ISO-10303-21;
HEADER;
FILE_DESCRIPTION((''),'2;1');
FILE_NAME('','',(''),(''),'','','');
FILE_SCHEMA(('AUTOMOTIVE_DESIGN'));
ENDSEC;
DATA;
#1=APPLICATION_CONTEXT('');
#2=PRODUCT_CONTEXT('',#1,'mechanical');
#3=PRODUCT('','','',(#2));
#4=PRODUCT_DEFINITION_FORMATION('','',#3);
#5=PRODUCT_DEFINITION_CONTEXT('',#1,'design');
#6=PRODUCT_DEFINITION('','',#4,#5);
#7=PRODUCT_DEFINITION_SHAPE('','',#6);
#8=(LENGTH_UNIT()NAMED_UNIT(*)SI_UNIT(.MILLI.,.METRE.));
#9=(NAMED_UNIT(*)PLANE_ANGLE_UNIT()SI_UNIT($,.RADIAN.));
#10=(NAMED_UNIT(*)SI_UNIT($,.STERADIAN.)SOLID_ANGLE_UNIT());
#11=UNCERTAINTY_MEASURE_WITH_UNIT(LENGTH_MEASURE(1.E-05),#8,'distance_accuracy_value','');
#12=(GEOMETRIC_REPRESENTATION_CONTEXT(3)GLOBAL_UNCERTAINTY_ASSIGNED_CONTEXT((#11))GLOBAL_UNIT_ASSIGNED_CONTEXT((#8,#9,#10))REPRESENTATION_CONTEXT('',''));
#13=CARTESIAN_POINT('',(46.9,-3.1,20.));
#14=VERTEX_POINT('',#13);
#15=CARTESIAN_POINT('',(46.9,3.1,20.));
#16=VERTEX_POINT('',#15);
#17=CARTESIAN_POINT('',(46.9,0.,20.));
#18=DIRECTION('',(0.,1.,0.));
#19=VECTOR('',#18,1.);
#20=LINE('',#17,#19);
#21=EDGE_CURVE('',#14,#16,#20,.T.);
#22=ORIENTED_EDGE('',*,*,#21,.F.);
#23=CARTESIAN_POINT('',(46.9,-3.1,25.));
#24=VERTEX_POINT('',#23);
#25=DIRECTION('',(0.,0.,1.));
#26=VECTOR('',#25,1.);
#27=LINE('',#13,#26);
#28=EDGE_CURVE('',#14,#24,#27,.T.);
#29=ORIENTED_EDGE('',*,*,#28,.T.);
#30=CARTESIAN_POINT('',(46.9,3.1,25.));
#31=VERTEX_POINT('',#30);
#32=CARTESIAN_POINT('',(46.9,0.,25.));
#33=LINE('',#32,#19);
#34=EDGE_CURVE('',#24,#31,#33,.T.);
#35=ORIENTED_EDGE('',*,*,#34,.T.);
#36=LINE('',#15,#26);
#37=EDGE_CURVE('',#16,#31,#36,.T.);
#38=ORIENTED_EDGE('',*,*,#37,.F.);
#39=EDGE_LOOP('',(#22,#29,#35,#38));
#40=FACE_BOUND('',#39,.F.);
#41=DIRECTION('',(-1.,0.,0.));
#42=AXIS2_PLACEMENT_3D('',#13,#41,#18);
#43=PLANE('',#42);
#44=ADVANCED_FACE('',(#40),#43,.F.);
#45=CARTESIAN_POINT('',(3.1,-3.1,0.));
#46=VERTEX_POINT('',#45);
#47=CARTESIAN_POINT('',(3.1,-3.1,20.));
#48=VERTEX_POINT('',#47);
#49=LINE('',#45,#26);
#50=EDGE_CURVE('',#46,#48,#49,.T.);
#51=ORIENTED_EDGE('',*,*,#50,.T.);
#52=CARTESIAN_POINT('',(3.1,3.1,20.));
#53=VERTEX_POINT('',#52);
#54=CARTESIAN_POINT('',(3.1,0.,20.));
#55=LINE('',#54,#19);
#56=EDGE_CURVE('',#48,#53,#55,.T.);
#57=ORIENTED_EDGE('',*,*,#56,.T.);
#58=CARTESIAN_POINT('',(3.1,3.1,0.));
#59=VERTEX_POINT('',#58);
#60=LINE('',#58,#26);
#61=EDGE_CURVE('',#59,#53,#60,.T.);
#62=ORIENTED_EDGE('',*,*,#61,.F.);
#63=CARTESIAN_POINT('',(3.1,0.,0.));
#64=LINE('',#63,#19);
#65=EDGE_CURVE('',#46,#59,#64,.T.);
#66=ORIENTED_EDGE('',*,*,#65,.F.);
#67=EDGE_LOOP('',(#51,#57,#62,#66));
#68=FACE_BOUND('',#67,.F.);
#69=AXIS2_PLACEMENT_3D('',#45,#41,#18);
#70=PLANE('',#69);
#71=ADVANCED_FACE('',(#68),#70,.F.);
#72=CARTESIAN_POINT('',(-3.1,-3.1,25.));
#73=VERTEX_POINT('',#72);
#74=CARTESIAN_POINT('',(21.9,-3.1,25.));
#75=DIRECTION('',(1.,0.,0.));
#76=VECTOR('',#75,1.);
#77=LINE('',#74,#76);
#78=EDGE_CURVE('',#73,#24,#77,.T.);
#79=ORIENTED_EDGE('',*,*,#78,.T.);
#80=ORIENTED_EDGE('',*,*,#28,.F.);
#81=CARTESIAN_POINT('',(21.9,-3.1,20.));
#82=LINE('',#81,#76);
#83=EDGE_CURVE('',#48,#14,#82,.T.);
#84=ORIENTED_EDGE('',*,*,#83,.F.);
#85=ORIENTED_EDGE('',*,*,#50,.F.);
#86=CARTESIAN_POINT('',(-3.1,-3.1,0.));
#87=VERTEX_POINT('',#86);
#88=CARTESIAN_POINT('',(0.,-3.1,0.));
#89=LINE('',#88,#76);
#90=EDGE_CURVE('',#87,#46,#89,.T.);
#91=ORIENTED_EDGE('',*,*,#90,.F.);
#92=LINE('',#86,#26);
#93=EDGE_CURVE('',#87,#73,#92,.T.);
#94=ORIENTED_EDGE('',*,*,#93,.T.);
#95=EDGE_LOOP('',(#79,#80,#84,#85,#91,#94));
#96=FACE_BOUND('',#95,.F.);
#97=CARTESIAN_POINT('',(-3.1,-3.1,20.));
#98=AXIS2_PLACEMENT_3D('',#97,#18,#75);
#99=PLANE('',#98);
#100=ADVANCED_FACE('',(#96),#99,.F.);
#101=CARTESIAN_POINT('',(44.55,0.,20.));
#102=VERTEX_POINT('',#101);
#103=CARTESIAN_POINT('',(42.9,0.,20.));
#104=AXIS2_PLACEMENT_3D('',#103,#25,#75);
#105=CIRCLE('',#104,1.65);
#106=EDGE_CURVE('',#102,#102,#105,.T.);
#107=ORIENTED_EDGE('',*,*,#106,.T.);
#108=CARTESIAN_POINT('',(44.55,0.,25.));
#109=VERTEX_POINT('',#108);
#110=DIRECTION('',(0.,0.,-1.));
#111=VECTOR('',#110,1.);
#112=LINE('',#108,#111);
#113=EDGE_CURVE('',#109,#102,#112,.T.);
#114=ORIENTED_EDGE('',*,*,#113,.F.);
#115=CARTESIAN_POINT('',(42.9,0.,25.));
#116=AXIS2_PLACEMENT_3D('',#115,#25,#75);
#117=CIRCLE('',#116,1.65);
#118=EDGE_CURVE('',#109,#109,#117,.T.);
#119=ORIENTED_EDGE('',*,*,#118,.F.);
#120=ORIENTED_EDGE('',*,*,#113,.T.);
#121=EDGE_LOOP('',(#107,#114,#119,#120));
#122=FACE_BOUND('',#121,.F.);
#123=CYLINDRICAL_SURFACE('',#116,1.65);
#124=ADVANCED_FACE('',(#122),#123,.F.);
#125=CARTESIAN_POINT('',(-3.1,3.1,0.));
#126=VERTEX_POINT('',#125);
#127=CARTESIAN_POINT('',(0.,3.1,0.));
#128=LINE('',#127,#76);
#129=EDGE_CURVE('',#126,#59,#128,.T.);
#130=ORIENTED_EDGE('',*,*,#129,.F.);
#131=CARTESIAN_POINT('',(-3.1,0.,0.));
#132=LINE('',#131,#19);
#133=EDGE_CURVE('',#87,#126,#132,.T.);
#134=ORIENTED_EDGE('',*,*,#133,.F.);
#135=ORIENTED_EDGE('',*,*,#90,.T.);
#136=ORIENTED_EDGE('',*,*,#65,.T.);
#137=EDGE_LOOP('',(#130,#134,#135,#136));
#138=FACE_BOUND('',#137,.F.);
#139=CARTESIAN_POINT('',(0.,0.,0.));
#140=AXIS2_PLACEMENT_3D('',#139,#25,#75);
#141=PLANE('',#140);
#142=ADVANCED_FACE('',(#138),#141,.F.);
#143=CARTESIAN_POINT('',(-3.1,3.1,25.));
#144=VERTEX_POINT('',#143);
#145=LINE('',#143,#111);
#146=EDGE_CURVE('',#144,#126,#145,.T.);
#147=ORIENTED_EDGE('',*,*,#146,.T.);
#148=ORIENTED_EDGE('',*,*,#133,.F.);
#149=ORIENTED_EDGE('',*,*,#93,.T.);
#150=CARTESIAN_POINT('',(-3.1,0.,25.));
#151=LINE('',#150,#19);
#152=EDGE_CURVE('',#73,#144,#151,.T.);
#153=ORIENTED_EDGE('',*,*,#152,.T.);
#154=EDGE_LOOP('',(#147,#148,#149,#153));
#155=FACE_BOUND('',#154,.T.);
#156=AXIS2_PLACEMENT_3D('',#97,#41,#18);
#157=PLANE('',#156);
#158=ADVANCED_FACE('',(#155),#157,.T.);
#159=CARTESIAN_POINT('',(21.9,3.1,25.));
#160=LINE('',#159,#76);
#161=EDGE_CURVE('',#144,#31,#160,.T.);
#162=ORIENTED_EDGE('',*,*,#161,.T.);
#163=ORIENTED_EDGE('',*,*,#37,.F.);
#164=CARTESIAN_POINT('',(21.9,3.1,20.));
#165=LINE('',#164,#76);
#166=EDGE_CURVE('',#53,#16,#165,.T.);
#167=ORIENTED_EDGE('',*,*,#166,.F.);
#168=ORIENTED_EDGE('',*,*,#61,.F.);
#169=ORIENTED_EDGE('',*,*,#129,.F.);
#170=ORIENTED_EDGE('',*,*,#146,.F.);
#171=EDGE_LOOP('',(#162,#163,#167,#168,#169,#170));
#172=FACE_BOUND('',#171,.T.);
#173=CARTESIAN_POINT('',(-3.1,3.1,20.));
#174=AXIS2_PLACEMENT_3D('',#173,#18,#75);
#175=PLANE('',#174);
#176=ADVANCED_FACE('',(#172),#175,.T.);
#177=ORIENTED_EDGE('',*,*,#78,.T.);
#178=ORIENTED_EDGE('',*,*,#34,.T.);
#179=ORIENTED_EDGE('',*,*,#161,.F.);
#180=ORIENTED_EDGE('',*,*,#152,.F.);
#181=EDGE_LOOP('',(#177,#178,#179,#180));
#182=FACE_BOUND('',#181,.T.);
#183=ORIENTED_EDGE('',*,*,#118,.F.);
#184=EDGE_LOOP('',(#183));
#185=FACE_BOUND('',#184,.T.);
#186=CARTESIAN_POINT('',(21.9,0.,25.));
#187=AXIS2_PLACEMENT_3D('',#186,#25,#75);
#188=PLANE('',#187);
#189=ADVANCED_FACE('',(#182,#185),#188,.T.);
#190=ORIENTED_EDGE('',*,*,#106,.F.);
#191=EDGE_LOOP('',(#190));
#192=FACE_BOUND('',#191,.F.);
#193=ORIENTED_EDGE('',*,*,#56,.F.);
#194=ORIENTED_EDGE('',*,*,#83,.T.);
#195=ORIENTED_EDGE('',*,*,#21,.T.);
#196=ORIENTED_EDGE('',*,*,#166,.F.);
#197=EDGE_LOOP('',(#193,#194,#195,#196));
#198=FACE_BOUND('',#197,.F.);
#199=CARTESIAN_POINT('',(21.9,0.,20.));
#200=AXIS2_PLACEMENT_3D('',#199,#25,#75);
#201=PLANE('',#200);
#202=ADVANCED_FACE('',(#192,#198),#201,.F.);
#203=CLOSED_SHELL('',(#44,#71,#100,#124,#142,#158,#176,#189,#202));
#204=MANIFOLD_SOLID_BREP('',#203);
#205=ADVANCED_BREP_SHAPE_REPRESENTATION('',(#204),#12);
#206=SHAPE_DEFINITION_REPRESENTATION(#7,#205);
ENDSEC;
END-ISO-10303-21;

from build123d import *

# Parameters (mm, degrees)
F0_W     = 6.2
F0_H     = 6.2
F1_DEPTH = 20
F2_W     = 50
F2_H     = 6.2
F3_DEPTH = 5
F4_R     = 1.65
F5_DEPTH = 25


with BuildPart() as f1:
    # F0 (on Top) → F1 (new body)
    with BuildSketch(Plane.XY):
        Rectangle(F0_W, F0_H)
    extrude(amount=F1_DEPTH)

    # F2 (on face) → F3 (join)
    with BuildSketch(Plane.XY.offset(20)):
        with Locations((21.9, 0)):
            Rectangle(F2_W, F2_H)
    extrude(amount=F3_DEPTH)

    # F4 (on face) → F5 (cut)
    with BuildSketch(Plane.XY.offset(25)):
        with Locations((42.9, 0)):
            Circle(F4_R)
    extrude(amount=-F5_DEPTH, mode=Mode.SUBTRACT)


solid = f1.part
